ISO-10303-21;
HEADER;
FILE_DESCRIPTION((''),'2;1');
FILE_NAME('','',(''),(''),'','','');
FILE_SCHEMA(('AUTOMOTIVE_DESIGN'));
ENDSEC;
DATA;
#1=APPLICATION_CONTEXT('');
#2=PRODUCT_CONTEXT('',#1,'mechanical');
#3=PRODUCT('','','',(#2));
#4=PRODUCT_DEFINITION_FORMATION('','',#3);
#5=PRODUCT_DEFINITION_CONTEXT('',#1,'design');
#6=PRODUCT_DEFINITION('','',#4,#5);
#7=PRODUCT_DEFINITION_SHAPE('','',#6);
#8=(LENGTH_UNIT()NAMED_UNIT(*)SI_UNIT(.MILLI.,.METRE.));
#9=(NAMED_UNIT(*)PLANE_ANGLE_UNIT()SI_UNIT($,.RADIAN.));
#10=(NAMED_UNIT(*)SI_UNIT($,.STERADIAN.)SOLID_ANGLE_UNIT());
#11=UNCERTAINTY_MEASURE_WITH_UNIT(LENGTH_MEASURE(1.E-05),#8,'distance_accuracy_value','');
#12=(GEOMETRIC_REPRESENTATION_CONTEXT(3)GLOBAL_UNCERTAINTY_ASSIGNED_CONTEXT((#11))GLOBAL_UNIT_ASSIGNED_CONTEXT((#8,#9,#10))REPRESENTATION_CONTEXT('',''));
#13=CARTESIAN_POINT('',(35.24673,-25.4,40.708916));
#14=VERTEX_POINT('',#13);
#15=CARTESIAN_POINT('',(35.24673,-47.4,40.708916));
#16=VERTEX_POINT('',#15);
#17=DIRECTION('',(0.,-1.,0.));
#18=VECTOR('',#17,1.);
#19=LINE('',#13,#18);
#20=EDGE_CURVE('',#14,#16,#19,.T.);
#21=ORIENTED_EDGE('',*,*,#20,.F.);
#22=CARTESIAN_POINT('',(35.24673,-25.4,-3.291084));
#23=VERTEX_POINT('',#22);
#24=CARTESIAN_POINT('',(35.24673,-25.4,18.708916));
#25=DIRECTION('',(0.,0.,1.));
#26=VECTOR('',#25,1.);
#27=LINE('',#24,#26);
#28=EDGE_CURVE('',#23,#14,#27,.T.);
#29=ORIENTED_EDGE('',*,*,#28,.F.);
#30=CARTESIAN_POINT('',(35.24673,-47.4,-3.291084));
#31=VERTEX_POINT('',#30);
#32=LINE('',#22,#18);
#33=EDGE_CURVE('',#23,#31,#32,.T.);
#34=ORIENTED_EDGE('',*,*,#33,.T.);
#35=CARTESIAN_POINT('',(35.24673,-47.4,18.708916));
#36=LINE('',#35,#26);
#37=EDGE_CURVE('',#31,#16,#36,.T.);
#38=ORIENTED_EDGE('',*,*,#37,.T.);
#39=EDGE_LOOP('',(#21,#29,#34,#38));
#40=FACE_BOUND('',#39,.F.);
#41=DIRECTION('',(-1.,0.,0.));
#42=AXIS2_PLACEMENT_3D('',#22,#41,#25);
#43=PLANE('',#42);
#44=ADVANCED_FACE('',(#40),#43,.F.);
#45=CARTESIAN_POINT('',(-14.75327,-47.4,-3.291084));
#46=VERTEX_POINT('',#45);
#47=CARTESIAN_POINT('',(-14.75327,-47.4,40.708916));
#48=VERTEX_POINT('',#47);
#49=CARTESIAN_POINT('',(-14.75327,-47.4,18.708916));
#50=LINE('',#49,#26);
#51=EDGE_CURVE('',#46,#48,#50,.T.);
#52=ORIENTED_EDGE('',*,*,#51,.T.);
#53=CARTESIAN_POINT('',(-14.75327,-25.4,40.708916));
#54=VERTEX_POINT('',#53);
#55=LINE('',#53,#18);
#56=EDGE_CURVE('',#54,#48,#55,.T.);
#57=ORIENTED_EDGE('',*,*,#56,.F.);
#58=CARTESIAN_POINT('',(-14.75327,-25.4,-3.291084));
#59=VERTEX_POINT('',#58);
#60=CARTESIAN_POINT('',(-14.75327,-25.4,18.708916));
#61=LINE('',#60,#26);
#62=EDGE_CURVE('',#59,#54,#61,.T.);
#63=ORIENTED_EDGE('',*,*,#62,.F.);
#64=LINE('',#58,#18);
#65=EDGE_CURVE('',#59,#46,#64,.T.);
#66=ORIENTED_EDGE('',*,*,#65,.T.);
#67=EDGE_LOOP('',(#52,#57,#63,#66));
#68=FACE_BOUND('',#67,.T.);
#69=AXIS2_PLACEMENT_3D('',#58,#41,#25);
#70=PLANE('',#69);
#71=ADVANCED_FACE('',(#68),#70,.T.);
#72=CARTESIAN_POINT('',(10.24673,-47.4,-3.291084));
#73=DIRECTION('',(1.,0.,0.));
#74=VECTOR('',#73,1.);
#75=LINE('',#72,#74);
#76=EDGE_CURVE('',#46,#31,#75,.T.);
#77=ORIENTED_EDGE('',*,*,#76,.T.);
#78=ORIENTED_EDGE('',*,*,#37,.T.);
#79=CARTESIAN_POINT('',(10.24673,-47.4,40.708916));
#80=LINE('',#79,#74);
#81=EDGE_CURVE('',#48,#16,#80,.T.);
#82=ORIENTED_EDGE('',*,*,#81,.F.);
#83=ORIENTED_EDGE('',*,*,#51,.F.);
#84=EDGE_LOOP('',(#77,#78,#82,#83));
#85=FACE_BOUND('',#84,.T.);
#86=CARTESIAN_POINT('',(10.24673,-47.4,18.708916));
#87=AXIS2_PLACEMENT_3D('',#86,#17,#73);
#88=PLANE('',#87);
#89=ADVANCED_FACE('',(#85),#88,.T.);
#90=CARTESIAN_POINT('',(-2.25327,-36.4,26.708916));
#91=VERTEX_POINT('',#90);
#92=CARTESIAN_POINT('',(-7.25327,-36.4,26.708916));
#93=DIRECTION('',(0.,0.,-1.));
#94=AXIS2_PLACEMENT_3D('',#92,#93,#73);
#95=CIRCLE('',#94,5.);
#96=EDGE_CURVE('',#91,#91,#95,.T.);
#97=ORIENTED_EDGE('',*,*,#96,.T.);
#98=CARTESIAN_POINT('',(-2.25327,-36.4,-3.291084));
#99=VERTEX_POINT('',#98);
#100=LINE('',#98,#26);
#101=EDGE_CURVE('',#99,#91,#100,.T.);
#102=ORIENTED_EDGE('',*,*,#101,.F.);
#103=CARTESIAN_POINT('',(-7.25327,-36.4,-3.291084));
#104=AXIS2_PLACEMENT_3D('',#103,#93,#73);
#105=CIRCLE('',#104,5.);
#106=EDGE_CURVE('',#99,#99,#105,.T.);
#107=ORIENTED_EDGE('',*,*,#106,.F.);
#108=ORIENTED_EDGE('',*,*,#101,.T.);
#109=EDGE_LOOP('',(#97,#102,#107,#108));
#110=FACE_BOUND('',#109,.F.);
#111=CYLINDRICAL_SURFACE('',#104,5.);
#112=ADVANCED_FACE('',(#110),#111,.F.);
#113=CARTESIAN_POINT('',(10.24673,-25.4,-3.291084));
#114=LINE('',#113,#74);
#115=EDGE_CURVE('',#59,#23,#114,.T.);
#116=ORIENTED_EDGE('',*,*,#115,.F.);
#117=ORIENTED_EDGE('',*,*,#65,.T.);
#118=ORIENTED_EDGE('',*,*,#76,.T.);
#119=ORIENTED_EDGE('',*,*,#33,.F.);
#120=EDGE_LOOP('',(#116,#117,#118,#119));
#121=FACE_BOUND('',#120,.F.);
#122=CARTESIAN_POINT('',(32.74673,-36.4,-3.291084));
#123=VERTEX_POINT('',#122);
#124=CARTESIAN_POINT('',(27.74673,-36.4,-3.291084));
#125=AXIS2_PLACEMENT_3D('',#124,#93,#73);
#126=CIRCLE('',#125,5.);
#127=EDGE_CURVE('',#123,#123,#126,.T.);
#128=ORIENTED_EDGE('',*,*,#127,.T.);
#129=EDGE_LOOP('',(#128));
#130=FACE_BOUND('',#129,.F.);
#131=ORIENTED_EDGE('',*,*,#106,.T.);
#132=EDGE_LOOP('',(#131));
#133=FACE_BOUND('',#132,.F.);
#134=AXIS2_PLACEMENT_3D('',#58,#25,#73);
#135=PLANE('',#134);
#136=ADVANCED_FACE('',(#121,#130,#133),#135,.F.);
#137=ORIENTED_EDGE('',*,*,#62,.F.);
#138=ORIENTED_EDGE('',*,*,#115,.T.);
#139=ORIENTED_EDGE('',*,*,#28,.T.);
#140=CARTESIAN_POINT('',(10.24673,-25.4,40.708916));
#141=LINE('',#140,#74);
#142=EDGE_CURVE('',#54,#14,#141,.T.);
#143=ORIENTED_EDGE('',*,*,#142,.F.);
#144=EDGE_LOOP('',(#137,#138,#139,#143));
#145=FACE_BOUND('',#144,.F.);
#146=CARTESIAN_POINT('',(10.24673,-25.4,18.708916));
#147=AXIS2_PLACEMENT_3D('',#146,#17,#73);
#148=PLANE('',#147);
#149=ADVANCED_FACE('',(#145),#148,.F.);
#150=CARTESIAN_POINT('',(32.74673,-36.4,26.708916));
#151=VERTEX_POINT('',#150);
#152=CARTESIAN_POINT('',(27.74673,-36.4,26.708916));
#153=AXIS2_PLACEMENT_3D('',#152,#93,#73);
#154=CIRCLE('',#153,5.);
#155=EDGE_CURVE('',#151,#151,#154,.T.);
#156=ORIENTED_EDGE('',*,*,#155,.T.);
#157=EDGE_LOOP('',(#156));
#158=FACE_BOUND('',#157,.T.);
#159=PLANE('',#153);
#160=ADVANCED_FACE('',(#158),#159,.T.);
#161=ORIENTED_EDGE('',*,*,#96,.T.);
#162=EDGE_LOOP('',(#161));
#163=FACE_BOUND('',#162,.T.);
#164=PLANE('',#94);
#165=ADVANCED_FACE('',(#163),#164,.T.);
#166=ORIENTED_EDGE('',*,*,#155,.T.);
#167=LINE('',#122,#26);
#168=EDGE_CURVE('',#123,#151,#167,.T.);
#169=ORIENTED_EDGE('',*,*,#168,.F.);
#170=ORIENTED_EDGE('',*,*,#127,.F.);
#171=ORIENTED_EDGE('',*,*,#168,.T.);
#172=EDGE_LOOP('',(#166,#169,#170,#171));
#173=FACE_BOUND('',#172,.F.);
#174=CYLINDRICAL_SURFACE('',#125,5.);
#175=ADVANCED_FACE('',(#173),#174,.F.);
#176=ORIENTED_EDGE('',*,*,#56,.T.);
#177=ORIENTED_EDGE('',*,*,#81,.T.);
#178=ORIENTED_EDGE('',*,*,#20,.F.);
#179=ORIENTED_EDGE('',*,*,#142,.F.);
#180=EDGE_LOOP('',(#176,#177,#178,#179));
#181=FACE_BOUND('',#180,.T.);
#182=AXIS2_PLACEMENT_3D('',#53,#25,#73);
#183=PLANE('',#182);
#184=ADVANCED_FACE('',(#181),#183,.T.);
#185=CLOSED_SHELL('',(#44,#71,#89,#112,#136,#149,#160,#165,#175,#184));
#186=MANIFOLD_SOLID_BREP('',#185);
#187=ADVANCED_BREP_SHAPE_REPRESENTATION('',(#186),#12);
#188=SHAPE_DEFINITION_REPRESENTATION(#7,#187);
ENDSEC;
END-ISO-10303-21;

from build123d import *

# Parameters (mm, degrees)
F1_W     = 50
F1_H     = 44
F2_DEPTH = 22
F3_R     = 5
F4_DEPTH = 30


with BuildPart() as f2:
    # F1 (on offset) → F2 (new body)
    with BuildSketch(Plane.XZ.offset(25.4)):
        with Locations((10.24673, 18.708916)):
            Rectangle(F1_W, F1_H)
    extrude(amount=F2_DEPTH)

    # F3 (on face) → F4 (cut)
    with BuildSketch(Plane(origin=(0, 0, -3.291084), x_dir=(1, 0, 0), z_dir=(0, 0, -1))):
        with Locations((27.74673, 36.4)):
            Circle(F3_R)
        with Locations((-7.25327, 36.4)):
            Circle(F3_R)
    extrude(amount=-F4_DEPTH, mode=Mode.SUBTRACT)


solid = f2.part
